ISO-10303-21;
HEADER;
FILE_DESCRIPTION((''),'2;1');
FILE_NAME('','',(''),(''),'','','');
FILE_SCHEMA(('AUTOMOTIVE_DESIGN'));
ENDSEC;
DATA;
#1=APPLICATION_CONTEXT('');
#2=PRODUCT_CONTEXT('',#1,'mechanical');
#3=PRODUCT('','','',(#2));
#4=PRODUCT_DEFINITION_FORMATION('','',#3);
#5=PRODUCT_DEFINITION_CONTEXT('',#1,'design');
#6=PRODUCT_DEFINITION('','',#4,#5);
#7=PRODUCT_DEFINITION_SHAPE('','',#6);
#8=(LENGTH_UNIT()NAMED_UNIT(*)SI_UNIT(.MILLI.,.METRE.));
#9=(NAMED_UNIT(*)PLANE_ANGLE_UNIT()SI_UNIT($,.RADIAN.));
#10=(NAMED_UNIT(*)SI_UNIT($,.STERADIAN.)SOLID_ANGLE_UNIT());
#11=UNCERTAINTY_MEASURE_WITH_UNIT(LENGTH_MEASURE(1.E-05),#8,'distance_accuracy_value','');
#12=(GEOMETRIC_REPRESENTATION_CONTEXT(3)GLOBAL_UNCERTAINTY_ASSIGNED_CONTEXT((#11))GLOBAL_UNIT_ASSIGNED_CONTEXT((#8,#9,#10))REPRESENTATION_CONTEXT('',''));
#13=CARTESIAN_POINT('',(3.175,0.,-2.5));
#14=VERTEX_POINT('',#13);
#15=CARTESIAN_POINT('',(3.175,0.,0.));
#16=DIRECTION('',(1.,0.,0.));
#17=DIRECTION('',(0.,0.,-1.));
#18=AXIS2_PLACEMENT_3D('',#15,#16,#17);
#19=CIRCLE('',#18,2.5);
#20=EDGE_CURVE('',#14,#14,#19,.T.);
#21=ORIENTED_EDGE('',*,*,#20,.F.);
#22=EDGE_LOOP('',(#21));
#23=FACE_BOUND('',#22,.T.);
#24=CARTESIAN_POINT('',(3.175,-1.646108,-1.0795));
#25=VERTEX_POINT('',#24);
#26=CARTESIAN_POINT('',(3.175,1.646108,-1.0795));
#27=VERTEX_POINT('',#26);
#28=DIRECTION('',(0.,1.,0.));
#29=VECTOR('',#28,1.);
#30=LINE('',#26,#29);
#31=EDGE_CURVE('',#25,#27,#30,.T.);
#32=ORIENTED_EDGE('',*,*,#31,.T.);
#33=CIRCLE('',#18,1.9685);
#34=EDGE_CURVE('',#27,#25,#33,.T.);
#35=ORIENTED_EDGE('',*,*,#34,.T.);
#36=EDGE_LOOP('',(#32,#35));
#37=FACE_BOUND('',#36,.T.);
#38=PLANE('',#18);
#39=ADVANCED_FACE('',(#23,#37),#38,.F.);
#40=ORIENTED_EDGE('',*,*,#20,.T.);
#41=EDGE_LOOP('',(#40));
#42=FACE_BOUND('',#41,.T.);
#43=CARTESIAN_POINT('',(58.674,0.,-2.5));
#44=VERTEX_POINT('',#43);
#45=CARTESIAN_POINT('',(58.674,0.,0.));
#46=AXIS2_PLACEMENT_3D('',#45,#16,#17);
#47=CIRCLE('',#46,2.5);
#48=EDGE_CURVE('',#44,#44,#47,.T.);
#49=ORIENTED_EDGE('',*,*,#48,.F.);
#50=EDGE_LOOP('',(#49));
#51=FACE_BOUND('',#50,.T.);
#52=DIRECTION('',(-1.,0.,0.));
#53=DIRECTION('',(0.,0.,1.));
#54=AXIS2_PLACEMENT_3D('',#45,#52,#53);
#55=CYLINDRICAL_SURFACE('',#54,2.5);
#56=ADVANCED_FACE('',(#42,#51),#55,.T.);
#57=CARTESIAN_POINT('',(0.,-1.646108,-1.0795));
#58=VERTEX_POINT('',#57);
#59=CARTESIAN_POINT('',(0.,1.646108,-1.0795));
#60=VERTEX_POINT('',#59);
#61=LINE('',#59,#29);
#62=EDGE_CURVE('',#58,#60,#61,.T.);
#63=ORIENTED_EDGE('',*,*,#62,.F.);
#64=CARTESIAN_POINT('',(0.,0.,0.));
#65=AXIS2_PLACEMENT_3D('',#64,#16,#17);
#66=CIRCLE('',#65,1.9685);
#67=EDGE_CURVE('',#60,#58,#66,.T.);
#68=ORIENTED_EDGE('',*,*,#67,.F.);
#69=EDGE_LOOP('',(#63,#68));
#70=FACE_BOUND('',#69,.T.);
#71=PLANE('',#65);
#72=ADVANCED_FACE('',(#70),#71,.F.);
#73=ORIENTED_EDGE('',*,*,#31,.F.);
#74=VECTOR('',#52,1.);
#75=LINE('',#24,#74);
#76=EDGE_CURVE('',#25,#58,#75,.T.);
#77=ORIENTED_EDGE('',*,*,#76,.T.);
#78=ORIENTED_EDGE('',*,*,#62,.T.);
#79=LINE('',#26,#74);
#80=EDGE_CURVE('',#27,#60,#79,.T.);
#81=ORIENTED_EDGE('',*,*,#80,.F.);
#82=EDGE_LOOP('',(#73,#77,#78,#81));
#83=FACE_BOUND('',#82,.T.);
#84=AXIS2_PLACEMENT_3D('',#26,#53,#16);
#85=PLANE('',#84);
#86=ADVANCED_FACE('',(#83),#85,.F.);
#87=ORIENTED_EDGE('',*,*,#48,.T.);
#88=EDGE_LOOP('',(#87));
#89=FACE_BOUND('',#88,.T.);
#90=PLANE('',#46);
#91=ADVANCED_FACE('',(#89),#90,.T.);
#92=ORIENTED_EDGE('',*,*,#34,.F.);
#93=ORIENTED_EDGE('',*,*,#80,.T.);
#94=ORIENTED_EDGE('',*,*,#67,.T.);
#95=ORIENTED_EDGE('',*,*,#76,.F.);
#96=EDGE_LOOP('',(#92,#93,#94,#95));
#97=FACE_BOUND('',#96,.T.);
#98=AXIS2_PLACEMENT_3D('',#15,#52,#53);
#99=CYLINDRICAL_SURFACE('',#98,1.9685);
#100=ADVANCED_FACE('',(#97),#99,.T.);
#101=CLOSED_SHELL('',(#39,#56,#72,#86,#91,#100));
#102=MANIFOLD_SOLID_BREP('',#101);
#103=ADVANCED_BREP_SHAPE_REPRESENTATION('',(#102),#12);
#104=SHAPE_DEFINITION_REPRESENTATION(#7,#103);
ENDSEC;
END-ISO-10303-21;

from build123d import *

# Parameters (mm, degrees)
SKETCH1_R          = 2.5
BASE_DEPTH         = 58.674
SKETCH2_OUTSIDE_W  = 18.82
SKETCH2_OUTSIDE_H  = 18.82
CUT_EXTRUDE1_DEPTH = 3.175


with BuildPart() as part:
    # Sketch1 → Base (new body)
    with BuildSketch(Plane(origin=(0, 0, 0), x_dir=(0, 0, -1), z_dir=(1, 0, 0))):
        Circle(SKETCH1_R)
    extrude(amount=BASE_DEPTH)

    # Sketch2 outside → Cut-Extrude1 (cut)
    with BuildSketch(Plane(origin=(0, 0, 0), x_dir=(0, 0, -1), z_dir=(1, 0, 0))):
        Rectangle(SKETCH2_OUTSIDE_W, SKETCH2_OUTSIDE_H)
        with BuildLine():
            Line((1.0795, 1.646108137), (1.0795, -1.646108137))
            ThreePointArc((1.0795, -1.646108137), (-1.9685, 0), (1.0795, 1.646108137))
        make_face(mode=Mode.SUBTRACT)
    extrude(amount=CUT_EXTRUDE1_DEPTH, mode=Mode.SUBTRACT)


solid = part.part
